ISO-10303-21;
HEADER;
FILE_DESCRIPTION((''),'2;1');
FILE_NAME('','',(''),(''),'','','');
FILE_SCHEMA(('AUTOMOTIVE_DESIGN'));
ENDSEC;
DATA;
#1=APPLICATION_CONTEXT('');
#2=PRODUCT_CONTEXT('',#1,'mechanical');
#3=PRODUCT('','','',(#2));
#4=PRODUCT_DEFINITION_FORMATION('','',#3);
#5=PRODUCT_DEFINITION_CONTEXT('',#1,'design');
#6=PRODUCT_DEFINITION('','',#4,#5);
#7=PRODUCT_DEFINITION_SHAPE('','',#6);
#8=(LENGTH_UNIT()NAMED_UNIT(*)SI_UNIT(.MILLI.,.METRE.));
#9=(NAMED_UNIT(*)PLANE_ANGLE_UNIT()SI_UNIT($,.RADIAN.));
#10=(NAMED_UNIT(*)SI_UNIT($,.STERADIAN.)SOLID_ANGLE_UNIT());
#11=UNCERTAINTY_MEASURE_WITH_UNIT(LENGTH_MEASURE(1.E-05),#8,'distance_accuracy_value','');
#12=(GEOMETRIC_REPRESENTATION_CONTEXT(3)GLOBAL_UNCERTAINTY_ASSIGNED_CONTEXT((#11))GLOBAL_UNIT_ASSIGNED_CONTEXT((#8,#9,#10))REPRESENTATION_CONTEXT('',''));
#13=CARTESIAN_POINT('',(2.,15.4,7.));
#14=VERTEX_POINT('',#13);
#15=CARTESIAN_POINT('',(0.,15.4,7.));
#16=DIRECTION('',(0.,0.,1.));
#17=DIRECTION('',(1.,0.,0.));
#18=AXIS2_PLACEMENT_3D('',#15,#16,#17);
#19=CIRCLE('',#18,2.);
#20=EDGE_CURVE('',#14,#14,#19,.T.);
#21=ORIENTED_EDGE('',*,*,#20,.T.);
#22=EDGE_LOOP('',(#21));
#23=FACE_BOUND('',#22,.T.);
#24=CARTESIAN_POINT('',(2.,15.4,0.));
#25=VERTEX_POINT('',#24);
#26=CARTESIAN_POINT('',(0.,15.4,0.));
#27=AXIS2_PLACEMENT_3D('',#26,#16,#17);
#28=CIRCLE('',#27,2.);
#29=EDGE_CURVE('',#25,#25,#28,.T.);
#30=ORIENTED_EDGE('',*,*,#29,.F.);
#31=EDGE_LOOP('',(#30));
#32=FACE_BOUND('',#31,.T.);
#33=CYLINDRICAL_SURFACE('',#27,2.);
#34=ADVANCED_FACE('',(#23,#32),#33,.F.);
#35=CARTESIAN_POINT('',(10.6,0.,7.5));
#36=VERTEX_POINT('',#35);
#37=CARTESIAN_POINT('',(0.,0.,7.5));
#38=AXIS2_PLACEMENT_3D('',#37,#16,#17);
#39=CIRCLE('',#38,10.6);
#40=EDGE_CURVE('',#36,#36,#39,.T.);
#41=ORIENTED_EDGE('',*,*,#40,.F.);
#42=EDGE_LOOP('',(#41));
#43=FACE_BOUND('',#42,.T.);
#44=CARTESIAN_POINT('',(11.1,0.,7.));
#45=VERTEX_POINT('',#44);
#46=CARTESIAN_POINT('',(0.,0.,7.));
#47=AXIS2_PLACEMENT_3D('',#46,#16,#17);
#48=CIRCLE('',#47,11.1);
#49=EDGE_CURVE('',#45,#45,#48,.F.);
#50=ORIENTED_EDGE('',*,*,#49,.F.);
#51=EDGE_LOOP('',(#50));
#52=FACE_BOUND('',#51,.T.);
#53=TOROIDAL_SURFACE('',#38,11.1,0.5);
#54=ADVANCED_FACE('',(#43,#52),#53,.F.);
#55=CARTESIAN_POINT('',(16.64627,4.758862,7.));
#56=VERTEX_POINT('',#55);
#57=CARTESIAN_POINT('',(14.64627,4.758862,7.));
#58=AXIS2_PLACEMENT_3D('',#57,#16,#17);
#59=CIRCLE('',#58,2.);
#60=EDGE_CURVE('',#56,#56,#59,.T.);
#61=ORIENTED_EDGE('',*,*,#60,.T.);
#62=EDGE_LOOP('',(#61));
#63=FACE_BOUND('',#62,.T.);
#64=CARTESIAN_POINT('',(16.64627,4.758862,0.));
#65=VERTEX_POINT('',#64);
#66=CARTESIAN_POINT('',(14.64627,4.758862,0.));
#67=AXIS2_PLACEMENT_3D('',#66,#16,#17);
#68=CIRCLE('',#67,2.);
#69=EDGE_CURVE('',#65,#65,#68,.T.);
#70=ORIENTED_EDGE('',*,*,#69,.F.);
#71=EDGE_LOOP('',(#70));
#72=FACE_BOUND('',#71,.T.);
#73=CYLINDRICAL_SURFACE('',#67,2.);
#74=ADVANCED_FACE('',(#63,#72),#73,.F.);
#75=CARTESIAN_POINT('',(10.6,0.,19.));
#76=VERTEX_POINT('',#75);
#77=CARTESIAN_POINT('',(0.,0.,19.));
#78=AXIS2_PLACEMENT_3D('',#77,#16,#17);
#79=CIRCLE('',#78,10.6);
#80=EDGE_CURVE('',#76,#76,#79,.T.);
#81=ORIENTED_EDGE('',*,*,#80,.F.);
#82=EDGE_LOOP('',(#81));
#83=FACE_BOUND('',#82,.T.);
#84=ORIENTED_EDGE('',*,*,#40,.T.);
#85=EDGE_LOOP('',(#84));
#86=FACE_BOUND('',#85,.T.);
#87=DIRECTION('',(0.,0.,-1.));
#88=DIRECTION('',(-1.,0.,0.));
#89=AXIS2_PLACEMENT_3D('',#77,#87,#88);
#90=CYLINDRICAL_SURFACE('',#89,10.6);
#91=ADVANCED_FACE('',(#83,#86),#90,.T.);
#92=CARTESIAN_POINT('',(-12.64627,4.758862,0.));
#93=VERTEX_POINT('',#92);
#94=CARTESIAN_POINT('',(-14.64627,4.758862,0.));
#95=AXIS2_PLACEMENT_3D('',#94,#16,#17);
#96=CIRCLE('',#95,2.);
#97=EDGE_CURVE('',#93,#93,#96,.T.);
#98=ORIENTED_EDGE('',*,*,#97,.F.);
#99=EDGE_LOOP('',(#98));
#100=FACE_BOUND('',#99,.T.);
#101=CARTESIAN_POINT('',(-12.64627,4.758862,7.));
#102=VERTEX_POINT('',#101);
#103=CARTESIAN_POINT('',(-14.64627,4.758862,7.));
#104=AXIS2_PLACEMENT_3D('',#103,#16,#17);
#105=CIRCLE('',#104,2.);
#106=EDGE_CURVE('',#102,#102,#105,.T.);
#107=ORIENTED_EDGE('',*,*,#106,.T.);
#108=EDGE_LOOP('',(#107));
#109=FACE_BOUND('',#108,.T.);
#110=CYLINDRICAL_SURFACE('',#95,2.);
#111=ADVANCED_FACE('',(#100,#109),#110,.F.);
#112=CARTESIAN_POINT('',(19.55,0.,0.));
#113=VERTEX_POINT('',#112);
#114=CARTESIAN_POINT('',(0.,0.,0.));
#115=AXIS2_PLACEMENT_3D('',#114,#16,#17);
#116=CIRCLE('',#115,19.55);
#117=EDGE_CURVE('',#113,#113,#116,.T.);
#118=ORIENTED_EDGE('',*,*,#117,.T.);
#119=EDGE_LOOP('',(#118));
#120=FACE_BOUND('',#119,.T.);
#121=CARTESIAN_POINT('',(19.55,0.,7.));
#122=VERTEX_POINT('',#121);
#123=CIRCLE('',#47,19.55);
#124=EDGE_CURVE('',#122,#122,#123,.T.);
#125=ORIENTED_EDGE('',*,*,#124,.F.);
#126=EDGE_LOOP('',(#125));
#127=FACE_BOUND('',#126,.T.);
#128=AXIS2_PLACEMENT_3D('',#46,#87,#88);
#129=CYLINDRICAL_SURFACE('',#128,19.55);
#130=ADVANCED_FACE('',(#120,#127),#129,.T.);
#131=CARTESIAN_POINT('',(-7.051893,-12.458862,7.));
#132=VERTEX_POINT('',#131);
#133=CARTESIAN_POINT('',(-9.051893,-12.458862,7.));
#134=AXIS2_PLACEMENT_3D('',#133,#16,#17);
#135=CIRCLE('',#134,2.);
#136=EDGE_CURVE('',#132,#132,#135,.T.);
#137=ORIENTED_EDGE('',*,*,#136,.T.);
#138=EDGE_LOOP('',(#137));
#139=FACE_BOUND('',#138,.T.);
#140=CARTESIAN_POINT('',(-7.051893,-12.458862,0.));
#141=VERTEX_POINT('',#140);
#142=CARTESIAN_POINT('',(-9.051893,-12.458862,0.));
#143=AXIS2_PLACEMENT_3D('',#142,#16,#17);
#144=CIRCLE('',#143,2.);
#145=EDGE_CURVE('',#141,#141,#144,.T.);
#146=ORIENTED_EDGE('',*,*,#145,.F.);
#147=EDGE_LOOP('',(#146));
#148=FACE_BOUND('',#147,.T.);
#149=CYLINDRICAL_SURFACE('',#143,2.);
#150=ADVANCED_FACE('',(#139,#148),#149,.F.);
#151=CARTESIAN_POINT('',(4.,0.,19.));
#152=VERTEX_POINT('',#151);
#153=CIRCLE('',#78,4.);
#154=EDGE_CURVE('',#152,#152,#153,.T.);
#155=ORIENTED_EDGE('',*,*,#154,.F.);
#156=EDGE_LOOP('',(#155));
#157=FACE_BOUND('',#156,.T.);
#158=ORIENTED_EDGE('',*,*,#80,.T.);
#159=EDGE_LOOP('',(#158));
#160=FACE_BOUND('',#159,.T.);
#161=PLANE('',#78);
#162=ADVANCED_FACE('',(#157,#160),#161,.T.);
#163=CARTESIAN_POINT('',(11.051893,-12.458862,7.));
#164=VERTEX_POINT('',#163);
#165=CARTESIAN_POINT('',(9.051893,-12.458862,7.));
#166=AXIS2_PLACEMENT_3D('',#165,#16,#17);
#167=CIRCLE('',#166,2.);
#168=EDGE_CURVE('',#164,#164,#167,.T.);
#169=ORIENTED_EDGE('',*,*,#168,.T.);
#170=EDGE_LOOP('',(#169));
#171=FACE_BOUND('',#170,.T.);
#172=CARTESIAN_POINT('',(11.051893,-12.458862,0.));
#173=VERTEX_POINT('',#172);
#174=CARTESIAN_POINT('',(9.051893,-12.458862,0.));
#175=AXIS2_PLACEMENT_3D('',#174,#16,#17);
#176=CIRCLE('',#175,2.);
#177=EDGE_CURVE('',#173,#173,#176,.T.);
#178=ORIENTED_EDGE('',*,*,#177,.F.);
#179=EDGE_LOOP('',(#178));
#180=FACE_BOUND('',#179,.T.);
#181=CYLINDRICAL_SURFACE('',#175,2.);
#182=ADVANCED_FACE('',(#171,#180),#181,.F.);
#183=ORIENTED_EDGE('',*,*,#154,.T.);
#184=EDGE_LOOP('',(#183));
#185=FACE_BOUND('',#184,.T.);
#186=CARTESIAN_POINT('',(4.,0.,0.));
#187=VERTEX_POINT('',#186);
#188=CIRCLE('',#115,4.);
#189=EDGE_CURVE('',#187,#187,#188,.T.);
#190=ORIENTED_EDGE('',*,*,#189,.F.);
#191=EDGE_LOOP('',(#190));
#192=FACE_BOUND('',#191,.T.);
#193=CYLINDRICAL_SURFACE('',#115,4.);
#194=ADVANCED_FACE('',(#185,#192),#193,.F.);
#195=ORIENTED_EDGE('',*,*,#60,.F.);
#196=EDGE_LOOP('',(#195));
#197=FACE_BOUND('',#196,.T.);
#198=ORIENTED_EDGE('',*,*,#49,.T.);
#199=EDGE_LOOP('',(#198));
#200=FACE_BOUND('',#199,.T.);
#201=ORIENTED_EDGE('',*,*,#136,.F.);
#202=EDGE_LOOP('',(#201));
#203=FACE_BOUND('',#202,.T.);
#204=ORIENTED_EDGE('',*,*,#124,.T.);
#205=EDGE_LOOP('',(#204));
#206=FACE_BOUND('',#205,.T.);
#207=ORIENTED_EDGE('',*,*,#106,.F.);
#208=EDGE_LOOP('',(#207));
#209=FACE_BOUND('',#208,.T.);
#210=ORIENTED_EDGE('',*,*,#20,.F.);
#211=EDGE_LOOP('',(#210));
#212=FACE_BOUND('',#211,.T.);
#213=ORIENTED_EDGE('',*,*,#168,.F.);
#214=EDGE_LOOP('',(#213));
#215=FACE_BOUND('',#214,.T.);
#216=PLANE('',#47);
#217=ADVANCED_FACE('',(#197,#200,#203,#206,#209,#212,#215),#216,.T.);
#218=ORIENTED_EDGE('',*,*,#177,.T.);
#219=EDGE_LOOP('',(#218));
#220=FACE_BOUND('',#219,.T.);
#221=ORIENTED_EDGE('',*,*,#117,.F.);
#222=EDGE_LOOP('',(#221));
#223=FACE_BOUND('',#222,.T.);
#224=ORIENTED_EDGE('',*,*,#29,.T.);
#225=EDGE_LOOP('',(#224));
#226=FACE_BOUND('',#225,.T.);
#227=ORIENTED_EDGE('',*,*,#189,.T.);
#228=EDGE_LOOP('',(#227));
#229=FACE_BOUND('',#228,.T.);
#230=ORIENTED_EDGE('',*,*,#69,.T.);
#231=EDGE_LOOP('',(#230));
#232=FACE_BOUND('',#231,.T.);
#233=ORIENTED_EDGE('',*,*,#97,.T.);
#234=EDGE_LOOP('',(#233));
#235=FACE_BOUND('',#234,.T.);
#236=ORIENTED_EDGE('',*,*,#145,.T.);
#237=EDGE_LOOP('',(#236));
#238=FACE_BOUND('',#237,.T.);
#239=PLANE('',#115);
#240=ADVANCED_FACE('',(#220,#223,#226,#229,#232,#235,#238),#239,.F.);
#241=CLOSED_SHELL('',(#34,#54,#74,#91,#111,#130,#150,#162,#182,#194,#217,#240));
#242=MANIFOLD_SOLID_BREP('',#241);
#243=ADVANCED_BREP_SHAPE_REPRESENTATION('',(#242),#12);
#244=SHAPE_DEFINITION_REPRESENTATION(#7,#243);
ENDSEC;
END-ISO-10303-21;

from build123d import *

# Parameters (mm, degrees)
SKETCH_1_R          = 19.55
EXTRUDE_1_DEPTH     = 7
SKETCH_2_R          = 10.6
EXTRUDE_2_DEPTH     = 12
FILLET_1_R          = 0.5
SKETCH_3_R          = 4
CUT_EXTRUDE_3_DEPTH = 34.547056503
SKETCH_4_R          = 2
CUT_EXTRUDE_4_DEPTH = 31.139757796


with BuildPart() as part:
    # Эскиз1 → Вытянуть1 (new body)
    with BuildSketch(Plane.XY):
        Circle(SKETCH_1_R)
    extrude(amount=EXTRUDE_1_DEPTH)

    # Эскиз2 → Вытянуть2 (add)
    with BuildSketch(Plane.XY.offset(7)):
        Circle(SKETCH_2_R)
    extrude(amount=EXTRUDE_2_DEPTH)

    # Скругление1
    fillet_1_edges = [part.edges().sort_by_distance(p)[0] for p in [
        (-10.6, 0, 7),
    ]]
    fillet(fillet_1_edges, radius=FILLET_1_R)

    # Эскиз3 → Вытянуть3 (cut, through all)
    with BuildSketch(Plane.XY.offset(19)):
        Circle(SKETCH_3_R)
    extrude(amount=-CUT_EXTRUDE_3_DEPTH, mode=Mode.SUBTRACT)

    # Эскиз4 → Вытянуть4 (cut, through all)
    with BuildSketch(Plane.XY.offset(7)):
        with Locations((0, 15.4)):
            Circle(SKETCH_4_R)
        with Locations((14.646270351, 4.758861713)):
            Circle(SKETCH_4_R)
        with Locations((9.051892885, -12.458861713)):
            Circle(SKETCH_4_R)
        with Locations((-9.051892885, -12.458861713)):
            Circle(SKETCH_4_R)
        with Locations((-14.646270351, 4.758861713)):
            Circle(SKETCH_4_R)
    extrude(amount=-CUT_EXTRUDE_4_DEPTH, mode=Mode.SUBTRACT)


solid = part.part
